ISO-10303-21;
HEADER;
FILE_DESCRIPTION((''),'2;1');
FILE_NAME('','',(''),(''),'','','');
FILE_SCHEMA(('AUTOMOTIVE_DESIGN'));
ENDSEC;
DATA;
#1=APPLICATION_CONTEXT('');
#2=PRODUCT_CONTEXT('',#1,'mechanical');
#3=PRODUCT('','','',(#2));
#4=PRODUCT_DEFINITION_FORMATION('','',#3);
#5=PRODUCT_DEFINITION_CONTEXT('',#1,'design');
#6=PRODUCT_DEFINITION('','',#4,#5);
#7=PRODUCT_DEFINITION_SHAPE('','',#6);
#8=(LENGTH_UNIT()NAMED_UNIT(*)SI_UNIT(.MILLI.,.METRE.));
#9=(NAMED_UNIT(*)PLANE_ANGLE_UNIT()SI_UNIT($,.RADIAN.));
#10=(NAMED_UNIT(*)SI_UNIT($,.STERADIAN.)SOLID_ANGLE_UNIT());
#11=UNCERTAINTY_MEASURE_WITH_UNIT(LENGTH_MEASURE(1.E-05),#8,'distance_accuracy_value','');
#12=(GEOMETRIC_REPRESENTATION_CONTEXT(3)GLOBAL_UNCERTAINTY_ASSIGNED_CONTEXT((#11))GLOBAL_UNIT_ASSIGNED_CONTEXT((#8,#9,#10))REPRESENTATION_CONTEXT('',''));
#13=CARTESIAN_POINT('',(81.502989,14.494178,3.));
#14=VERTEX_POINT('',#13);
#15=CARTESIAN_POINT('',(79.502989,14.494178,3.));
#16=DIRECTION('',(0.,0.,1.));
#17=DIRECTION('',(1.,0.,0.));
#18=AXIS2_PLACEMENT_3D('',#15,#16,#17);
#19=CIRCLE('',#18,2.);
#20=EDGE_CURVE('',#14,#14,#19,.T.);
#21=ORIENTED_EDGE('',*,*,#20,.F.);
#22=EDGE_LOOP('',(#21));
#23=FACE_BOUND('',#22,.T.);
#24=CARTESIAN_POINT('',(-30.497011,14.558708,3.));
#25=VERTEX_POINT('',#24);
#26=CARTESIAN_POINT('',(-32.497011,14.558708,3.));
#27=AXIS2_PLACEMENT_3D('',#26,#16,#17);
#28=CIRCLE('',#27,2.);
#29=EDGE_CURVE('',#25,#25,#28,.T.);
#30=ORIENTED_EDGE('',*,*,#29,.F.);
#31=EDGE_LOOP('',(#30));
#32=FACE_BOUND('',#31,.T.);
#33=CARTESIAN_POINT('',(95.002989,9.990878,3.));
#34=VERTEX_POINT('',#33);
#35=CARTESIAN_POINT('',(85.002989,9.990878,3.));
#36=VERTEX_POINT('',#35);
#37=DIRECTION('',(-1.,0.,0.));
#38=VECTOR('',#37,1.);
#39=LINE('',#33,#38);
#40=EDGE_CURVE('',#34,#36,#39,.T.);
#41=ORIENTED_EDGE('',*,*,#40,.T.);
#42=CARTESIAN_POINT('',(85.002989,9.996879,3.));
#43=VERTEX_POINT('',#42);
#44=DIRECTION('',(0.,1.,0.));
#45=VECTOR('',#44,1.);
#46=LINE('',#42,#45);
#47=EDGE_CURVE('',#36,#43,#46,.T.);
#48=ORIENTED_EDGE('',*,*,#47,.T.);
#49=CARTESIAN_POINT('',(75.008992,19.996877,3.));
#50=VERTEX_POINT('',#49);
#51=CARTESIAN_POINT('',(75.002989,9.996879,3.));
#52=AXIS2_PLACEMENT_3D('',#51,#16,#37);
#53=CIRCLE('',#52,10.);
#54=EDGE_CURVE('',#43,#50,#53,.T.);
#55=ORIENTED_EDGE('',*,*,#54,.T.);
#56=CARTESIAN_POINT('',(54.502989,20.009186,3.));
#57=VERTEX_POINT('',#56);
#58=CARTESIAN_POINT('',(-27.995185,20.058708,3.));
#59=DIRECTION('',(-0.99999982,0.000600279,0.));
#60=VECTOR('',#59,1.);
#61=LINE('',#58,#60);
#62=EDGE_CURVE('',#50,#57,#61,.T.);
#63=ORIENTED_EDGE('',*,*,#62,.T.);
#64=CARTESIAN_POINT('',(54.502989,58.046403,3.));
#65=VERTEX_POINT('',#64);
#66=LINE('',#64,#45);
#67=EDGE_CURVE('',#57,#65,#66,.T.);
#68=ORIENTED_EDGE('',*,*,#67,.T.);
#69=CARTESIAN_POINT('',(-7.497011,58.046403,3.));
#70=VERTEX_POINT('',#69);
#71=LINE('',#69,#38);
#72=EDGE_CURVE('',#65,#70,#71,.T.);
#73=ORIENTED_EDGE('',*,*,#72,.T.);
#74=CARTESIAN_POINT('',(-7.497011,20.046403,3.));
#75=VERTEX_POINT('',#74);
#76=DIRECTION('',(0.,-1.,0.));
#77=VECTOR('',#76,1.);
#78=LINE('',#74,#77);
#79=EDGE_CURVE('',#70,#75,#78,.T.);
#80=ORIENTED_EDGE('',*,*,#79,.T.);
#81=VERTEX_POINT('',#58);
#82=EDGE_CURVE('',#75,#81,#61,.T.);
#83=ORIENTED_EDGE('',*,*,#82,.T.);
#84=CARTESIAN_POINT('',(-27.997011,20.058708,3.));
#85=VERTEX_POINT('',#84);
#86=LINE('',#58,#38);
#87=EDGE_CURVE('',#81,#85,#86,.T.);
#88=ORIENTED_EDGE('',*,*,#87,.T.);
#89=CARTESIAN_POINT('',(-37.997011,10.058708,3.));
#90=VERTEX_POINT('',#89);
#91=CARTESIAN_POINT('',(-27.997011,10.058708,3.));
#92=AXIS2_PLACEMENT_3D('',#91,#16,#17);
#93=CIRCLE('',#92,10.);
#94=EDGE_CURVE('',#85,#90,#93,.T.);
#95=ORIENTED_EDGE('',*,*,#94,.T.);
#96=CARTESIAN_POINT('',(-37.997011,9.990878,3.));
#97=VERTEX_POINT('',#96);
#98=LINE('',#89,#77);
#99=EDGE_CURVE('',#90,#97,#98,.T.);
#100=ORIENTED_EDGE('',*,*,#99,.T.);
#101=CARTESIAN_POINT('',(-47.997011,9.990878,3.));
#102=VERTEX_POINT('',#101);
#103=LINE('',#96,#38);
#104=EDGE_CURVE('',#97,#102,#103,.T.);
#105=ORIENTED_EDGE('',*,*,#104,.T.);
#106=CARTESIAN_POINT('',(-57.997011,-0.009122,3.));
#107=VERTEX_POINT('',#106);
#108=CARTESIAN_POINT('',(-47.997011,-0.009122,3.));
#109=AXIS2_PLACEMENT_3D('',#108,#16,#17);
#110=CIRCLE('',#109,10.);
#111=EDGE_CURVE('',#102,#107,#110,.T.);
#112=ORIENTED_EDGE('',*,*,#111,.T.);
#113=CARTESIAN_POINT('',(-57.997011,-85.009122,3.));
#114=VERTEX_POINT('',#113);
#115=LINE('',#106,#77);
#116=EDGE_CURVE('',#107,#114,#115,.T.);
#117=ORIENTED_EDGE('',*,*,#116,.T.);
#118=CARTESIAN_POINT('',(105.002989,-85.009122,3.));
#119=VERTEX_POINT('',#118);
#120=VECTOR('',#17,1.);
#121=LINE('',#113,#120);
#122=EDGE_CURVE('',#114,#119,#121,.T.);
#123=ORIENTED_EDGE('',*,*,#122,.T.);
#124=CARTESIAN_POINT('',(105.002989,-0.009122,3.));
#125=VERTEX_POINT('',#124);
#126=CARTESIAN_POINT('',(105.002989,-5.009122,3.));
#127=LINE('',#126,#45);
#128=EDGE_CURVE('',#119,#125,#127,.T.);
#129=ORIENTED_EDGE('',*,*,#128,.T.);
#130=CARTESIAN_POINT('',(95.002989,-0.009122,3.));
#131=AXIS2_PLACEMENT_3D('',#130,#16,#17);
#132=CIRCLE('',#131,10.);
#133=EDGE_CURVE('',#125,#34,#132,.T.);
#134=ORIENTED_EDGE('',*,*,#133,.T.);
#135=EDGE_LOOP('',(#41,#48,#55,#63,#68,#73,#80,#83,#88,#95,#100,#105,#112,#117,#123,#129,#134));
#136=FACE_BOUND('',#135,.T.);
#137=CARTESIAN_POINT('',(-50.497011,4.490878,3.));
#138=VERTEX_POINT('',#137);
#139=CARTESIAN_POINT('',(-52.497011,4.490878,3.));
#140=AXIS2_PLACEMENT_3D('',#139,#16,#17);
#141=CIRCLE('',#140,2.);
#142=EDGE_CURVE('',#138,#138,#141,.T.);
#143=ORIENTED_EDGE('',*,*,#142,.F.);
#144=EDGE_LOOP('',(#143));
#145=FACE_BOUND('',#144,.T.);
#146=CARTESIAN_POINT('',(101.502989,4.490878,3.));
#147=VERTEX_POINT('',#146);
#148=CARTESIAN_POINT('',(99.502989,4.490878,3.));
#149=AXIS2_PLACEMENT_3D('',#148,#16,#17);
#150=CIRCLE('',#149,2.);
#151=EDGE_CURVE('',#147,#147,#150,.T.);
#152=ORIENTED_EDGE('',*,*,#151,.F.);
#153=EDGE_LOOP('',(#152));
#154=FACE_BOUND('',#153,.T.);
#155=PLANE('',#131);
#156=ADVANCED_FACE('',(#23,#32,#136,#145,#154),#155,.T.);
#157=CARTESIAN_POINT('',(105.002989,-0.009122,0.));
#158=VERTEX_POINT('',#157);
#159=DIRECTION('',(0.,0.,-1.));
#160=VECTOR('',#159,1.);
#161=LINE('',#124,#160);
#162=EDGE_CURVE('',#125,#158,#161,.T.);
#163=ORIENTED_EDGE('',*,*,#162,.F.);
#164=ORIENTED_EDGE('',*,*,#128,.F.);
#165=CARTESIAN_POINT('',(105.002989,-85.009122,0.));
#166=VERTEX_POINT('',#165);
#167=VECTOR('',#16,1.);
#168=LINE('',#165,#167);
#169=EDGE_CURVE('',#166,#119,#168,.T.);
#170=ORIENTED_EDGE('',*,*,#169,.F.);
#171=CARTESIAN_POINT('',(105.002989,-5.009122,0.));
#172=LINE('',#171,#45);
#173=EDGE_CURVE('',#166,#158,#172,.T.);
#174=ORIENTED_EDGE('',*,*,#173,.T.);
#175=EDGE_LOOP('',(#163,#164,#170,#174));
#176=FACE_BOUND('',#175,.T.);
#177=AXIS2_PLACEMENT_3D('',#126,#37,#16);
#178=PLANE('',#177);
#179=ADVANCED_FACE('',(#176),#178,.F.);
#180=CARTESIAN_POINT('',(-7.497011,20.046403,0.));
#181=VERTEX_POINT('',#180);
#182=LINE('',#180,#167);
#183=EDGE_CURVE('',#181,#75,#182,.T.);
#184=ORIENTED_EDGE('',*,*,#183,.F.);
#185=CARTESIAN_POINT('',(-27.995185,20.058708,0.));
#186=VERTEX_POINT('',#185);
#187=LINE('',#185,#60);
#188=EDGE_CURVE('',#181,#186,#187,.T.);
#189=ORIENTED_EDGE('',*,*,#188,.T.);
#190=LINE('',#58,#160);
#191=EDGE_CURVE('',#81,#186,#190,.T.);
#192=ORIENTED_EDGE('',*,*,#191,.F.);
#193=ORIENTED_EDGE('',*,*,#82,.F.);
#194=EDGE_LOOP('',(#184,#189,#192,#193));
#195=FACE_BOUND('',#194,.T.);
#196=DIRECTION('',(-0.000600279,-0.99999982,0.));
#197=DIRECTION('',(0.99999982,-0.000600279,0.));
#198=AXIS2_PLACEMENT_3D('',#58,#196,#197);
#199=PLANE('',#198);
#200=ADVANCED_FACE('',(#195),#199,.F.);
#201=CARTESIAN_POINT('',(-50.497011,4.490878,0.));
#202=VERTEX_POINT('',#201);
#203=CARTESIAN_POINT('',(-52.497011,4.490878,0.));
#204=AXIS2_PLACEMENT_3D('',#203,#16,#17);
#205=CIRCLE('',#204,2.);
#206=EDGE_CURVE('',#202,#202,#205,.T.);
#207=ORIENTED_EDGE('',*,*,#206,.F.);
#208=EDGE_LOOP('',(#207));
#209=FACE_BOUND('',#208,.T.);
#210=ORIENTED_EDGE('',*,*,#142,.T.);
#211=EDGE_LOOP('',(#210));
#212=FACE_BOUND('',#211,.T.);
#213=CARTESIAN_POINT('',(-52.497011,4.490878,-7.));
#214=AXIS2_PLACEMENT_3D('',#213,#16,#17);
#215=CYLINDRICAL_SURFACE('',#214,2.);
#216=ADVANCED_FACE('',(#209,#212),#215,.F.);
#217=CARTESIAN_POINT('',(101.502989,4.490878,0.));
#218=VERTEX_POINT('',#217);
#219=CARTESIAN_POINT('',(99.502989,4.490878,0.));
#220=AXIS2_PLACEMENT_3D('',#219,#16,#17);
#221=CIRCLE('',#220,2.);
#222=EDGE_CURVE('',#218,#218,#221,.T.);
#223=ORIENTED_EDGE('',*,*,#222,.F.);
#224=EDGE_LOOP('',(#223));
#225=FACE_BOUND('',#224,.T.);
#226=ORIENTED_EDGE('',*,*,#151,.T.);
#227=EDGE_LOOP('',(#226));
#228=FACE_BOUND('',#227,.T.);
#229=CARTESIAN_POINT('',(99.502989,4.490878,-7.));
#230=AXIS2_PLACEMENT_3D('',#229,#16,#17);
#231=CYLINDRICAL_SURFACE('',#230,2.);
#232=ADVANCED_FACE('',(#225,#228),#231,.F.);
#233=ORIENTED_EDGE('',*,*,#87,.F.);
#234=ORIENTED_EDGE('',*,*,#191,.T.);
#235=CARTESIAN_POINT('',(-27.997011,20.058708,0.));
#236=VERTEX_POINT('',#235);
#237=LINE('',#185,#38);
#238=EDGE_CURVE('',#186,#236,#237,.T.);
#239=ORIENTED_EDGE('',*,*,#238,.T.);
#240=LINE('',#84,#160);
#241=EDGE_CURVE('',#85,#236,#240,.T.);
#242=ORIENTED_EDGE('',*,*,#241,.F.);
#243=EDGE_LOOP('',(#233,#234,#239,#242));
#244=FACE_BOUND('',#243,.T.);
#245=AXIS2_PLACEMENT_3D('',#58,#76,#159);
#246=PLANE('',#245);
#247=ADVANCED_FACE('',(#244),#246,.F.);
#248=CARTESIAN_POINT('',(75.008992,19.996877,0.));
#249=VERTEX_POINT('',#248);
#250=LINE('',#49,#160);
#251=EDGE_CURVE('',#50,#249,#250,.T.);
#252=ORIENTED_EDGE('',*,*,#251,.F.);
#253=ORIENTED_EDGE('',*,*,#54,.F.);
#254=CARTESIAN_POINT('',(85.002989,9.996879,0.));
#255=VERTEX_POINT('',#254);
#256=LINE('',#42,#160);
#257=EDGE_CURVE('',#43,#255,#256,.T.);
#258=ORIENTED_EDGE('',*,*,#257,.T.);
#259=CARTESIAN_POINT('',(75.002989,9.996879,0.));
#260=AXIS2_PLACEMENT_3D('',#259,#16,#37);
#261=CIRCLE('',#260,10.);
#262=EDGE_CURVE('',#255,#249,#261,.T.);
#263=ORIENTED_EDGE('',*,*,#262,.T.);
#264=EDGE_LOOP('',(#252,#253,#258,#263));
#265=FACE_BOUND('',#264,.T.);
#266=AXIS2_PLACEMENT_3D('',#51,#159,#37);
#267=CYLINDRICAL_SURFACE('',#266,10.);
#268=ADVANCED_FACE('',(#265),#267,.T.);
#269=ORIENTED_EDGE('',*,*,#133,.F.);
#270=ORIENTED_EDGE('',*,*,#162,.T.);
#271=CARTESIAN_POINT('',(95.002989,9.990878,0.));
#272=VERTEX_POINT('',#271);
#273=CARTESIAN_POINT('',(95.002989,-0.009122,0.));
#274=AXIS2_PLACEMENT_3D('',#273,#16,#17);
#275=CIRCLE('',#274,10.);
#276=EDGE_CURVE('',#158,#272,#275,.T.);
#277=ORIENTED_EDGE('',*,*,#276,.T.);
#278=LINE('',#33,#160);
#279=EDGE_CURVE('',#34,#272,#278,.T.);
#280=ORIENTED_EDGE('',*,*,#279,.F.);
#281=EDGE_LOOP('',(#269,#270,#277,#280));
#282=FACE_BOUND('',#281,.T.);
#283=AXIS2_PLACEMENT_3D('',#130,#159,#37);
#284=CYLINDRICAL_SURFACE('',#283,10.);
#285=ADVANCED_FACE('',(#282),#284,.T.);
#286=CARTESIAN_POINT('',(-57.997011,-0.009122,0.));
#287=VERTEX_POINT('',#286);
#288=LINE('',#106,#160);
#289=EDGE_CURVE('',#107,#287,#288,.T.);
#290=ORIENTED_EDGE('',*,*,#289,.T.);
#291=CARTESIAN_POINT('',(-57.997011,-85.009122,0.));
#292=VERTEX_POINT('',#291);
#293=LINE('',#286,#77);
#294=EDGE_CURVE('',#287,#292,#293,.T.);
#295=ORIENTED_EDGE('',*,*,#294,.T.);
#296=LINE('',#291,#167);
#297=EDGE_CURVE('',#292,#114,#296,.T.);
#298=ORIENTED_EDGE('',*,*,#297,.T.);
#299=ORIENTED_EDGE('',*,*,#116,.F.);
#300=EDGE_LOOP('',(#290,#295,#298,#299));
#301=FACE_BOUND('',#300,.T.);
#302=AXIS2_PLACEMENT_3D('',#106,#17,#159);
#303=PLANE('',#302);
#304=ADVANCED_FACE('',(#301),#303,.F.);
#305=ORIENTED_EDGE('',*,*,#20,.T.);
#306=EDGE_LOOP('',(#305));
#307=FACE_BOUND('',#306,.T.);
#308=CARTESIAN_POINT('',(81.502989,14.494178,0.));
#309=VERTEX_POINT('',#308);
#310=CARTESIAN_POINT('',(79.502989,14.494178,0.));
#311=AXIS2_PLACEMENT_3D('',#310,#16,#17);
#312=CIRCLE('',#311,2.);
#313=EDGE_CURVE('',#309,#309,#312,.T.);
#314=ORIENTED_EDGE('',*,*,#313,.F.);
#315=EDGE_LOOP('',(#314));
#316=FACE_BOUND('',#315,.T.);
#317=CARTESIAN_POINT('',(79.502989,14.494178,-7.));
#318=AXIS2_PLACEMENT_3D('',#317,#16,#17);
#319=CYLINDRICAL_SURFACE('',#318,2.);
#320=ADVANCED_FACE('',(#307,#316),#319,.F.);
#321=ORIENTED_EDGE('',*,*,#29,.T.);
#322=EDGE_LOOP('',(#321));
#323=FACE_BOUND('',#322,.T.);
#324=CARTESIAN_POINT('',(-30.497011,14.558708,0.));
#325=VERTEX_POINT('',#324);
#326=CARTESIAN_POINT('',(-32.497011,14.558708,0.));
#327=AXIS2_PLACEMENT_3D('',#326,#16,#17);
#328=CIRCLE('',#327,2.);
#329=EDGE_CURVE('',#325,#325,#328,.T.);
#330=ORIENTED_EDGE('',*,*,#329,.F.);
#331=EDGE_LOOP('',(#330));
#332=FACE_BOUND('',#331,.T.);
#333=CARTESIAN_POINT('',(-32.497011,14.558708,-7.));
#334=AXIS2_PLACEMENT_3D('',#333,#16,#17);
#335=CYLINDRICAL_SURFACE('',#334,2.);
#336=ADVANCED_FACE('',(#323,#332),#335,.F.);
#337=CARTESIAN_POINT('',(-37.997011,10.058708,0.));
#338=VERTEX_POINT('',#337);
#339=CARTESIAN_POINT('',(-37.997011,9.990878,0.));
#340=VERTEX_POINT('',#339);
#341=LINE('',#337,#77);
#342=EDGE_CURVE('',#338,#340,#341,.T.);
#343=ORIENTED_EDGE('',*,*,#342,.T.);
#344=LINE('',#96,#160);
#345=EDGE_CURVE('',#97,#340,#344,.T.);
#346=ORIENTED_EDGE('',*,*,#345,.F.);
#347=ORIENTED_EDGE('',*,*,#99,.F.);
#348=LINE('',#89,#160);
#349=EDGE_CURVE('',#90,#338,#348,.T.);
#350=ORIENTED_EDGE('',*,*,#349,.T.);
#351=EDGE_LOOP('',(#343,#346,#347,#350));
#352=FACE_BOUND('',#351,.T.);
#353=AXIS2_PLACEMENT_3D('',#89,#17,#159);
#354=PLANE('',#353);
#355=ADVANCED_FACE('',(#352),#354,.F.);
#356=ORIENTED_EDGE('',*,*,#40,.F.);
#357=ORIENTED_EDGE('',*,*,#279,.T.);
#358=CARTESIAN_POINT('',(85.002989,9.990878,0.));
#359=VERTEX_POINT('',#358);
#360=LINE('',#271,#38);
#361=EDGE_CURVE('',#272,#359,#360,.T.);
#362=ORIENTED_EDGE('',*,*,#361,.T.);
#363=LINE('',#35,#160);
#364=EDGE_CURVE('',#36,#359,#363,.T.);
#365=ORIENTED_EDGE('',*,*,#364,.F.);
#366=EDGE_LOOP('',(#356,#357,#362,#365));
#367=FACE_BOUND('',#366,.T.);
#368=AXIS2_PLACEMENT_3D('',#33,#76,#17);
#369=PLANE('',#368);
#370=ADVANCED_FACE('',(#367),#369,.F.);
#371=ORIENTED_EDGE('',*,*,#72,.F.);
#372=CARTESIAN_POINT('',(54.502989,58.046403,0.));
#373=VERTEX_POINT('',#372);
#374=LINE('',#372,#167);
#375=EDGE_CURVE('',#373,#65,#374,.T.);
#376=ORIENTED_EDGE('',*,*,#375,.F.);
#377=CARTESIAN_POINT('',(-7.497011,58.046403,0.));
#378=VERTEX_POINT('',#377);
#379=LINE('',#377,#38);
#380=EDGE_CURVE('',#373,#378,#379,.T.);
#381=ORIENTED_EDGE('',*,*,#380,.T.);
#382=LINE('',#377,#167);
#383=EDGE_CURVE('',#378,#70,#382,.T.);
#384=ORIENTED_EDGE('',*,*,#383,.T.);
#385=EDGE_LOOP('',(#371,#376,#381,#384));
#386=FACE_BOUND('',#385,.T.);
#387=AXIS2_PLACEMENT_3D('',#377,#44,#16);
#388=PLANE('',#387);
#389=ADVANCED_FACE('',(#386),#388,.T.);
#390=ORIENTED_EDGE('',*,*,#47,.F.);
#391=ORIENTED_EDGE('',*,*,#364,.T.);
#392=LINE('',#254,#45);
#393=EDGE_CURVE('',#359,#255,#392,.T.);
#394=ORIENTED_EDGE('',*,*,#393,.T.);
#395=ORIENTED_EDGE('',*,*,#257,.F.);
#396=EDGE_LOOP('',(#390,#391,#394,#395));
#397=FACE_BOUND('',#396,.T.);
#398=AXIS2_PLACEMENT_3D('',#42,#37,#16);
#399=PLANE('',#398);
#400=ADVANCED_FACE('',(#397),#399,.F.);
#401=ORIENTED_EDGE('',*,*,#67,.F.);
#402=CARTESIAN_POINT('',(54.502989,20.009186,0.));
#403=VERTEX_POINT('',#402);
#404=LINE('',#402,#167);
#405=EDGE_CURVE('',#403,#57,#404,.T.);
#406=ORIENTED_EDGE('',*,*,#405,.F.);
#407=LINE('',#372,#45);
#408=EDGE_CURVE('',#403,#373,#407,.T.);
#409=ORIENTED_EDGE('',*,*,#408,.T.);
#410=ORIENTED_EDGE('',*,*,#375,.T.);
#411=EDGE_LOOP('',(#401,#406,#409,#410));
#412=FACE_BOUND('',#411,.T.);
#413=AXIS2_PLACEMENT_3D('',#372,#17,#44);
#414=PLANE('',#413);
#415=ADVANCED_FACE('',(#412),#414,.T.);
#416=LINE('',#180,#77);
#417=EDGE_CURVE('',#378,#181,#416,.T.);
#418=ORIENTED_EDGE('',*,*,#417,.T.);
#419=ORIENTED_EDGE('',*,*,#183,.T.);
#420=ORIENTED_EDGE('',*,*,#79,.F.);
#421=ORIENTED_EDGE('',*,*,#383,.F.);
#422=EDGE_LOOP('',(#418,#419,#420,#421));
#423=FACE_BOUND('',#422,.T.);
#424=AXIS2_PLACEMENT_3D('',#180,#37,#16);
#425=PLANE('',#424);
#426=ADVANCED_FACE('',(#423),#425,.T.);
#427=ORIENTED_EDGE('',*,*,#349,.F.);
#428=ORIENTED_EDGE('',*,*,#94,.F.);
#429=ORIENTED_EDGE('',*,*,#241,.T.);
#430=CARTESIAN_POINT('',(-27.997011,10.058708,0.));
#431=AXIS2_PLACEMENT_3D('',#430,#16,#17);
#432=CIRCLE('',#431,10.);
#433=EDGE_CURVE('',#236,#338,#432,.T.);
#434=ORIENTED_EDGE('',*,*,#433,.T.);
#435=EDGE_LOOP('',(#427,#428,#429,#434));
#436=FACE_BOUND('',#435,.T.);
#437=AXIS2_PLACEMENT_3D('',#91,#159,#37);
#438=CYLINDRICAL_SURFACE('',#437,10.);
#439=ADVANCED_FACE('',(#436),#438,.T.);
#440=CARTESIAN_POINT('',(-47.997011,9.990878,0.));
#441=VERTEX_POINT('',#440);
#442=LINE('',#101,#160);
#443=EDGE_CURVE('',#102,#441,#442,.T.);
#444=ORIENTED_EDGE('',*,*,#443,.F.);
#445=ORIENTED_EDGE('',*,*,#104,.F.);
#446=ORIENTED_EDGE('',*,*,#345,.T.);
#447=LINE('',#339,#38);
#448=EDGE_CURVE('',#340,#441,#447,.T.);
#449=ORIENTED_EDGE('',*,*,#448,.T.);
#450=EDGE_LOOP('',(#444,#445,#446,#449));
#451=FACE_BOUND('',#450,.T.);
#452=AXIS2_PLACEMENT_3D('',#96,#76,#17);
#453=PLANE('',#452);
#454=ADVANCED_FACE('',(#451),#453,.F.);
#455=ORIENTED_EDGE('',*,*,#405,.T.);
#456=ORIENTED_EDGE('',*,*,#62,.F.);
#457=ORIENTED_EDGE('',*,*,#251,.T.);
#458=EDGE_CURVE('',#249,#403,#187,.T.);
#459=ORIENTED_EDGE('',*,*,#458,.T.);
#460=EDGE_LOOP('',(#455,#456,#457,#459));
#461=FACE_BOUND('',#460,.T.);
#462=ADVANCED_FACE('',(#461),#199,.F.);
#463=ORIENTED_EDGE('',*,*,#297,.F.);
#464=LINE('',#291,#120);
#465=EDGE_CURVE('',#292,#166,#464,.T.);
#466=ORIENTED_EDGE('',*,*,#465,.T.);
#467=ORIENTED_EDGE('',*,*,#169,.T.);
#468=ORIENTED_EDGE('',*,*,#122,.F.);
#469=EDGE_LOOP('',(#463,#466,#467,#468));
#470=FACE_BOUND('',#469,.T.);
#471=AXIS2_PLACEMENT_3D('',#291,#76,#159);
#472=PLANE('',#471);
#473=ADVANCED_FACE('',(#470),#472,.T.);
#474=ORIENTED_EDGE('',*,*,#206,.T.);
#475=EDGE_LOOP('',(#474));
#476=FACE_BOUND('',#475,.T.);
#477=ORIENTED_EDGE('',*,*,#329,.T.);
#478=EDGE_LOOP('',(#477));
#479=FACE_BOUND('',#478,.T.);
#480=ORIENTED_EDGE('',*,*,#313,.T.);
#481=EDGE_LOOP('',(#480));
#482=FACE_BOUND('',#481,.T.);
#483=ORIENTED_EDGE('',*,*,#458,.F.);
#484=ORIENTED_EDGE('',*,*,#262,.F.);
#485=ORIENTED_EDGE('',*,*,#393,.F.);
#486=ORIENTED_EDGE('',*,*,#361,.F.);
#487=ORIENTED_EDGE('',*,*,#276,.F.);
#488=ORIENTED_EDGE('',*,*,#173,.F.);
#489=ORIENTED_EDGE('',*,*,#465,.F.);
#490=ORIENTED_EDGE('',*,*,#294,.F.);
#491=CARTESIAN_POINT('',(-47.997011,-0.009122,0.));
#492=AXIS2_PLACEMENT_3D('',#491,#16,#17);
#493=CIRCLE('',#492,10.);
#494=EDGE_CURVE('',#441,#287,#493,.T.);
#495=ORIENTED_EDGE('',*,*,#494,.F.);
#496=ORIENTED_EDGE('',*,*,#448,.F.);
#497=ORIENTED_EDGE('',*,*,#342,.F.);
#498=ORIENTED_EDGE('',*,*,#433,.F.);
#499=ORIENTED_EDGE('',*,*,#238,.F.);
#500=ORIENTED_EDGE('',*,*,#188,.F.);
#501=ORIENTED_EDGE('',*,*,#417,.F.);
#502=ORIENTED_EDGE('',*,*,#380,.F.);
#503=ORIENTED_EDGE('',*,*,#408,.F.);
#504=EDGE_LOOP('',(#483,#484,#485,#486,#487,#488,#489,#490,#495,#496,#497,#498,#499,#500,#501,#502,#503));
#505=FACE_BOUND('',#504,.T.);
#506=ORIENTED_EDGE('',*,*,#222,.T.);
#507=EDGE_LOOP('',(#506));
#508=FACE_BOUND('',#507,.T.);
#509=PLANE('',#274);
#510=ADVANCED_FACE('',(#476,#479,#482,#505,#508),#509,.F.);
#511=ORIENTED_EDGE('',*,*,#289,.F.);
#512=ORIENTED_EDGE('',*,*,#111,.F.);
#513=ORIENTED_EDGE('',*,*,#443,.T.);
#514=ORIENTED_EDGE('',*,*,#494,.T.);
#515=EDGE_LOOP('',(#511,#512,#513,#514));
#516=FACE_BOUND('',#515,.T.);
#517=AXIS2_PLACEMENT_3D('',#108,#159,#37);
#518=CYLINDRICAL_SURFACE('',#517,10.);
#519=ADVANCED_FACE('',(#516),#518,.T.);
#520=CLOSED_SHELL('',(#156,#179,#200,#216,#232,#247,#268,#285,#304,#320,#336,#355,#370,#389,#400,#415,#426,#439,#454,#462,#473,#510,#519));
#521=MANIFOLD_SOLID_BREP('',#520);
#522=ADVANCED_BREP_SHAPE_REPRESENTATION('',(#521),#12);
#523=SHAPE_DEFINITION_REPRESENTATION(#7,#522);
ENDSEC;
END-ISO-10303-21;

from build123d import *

# Parameters (mm, degrees)
BOSS_EXTRU_1_DEPTH      = 3
ESQUISSE4_R             = 2
ENL_V_MAT_EXTRU_1_DEPTH = 10
BOSS_EXTRU_2_DEPTH      = 3
ESQUISSE6_W             = 163
ESQUISSE6_H             = 80
BOSS_EXTRU_3_DEPTH      = 3


with BuildPart() as part:
    # Esquisse2 → Boss.-Extru.1 (new body)
    with BuildSketch(Plane.XY):
        with BuildLine():
            Line((-57.997011135, -5.009122385), (105.002988865, -5.009122385))
            Line((105.002988865, -5.009122385), (105.002988865, -0.009122385))
            ThreePointArc((105.002988865, -0.009122385), (102.074056676, 7.061945427), (95.002988865, 9.990877615))
            Line((95.002988865, 9.990877615), (85.002988865, 9.990877615))
            Line((85.002988865, 9.990877615), (85.002988865, 9.996878601))
            ThreePointArc((85.002988865, 9.996878601), (82.076178664, 17.065823789), (75.008991651, 19.9968768))
            Line((75.008991651, 19.9968768), (-27.995184752, 20.058708021))
            Line((-27.995184752, 20.058708021), (-27.997011135, 20.058708021))
            ThreePointArc((-27.997011135, 20.058708021), (-35.068078947, 17.129775833), (-37.997011135, 10.058708021))
            Line((-37.997011135, 10.058708021), (-37.997011135, 9.990877615))
            Line((-37.997011135, 9.990877615), (-47.997011135, 9.990877615))
            ThreePointArc((-47.997011135, 9.990877615), (-55.068078947, 7.061945427), (-57.997011135, -0.009122385))
            Line((-57.997011135, -0.009122385), (-57.997011135, -5.009122385))
        make_face()
    extrude(amount=BOSS_EXTRU_1_DEPTH)

    # Esquisse4 → Enlèv. mat.-Extru.1 (cut)
    with BuildSketch(Plane.XY.offset(3)):
        with Locations((-32.497011135, 14.558708021)):
            Circle(ESQUISSE4_R)
        with Locations((79.502988865, 14.494178158)):
            Circle(ESQUISSE4_R)
        with Locations((99.502988865, 4.490877615)):
            Circle(ESQUISSE4_R)
        with Locations((-52.497011135, 4.490877615)):
            Circle(ESQUISSE4_R)
    extrude(amount=-ENL_V_MAT_EXTRU_1_DEPTH, mode=Mode.SUBTRACT)

    # Esquisse5 → Boss.-Extru.2 (add)
    with BuildSketch(Plane.XY.offset(3)):
        Polygon((-7.497011135, 20.046403402), (-7.497011135, 58.046403402), (54.502988865, 58.046403402), (54.502988865, 20.009186118), align=None)
    extrude(amount=-BOSS_EXTRU_2_DEPTH)

    # Esquisse6 → Boss.-Extru.3 (add)
    with BuildSketch(Plane.XY.offset(3)):
        with Locations((23.502988865, -45.009122385)):
            Rectangle(ESQUISSE6_W, ESQUISSE6_H)
    extrude(amount=-BOSS_EXTRU_3_DEPTH)


solid = part.part
